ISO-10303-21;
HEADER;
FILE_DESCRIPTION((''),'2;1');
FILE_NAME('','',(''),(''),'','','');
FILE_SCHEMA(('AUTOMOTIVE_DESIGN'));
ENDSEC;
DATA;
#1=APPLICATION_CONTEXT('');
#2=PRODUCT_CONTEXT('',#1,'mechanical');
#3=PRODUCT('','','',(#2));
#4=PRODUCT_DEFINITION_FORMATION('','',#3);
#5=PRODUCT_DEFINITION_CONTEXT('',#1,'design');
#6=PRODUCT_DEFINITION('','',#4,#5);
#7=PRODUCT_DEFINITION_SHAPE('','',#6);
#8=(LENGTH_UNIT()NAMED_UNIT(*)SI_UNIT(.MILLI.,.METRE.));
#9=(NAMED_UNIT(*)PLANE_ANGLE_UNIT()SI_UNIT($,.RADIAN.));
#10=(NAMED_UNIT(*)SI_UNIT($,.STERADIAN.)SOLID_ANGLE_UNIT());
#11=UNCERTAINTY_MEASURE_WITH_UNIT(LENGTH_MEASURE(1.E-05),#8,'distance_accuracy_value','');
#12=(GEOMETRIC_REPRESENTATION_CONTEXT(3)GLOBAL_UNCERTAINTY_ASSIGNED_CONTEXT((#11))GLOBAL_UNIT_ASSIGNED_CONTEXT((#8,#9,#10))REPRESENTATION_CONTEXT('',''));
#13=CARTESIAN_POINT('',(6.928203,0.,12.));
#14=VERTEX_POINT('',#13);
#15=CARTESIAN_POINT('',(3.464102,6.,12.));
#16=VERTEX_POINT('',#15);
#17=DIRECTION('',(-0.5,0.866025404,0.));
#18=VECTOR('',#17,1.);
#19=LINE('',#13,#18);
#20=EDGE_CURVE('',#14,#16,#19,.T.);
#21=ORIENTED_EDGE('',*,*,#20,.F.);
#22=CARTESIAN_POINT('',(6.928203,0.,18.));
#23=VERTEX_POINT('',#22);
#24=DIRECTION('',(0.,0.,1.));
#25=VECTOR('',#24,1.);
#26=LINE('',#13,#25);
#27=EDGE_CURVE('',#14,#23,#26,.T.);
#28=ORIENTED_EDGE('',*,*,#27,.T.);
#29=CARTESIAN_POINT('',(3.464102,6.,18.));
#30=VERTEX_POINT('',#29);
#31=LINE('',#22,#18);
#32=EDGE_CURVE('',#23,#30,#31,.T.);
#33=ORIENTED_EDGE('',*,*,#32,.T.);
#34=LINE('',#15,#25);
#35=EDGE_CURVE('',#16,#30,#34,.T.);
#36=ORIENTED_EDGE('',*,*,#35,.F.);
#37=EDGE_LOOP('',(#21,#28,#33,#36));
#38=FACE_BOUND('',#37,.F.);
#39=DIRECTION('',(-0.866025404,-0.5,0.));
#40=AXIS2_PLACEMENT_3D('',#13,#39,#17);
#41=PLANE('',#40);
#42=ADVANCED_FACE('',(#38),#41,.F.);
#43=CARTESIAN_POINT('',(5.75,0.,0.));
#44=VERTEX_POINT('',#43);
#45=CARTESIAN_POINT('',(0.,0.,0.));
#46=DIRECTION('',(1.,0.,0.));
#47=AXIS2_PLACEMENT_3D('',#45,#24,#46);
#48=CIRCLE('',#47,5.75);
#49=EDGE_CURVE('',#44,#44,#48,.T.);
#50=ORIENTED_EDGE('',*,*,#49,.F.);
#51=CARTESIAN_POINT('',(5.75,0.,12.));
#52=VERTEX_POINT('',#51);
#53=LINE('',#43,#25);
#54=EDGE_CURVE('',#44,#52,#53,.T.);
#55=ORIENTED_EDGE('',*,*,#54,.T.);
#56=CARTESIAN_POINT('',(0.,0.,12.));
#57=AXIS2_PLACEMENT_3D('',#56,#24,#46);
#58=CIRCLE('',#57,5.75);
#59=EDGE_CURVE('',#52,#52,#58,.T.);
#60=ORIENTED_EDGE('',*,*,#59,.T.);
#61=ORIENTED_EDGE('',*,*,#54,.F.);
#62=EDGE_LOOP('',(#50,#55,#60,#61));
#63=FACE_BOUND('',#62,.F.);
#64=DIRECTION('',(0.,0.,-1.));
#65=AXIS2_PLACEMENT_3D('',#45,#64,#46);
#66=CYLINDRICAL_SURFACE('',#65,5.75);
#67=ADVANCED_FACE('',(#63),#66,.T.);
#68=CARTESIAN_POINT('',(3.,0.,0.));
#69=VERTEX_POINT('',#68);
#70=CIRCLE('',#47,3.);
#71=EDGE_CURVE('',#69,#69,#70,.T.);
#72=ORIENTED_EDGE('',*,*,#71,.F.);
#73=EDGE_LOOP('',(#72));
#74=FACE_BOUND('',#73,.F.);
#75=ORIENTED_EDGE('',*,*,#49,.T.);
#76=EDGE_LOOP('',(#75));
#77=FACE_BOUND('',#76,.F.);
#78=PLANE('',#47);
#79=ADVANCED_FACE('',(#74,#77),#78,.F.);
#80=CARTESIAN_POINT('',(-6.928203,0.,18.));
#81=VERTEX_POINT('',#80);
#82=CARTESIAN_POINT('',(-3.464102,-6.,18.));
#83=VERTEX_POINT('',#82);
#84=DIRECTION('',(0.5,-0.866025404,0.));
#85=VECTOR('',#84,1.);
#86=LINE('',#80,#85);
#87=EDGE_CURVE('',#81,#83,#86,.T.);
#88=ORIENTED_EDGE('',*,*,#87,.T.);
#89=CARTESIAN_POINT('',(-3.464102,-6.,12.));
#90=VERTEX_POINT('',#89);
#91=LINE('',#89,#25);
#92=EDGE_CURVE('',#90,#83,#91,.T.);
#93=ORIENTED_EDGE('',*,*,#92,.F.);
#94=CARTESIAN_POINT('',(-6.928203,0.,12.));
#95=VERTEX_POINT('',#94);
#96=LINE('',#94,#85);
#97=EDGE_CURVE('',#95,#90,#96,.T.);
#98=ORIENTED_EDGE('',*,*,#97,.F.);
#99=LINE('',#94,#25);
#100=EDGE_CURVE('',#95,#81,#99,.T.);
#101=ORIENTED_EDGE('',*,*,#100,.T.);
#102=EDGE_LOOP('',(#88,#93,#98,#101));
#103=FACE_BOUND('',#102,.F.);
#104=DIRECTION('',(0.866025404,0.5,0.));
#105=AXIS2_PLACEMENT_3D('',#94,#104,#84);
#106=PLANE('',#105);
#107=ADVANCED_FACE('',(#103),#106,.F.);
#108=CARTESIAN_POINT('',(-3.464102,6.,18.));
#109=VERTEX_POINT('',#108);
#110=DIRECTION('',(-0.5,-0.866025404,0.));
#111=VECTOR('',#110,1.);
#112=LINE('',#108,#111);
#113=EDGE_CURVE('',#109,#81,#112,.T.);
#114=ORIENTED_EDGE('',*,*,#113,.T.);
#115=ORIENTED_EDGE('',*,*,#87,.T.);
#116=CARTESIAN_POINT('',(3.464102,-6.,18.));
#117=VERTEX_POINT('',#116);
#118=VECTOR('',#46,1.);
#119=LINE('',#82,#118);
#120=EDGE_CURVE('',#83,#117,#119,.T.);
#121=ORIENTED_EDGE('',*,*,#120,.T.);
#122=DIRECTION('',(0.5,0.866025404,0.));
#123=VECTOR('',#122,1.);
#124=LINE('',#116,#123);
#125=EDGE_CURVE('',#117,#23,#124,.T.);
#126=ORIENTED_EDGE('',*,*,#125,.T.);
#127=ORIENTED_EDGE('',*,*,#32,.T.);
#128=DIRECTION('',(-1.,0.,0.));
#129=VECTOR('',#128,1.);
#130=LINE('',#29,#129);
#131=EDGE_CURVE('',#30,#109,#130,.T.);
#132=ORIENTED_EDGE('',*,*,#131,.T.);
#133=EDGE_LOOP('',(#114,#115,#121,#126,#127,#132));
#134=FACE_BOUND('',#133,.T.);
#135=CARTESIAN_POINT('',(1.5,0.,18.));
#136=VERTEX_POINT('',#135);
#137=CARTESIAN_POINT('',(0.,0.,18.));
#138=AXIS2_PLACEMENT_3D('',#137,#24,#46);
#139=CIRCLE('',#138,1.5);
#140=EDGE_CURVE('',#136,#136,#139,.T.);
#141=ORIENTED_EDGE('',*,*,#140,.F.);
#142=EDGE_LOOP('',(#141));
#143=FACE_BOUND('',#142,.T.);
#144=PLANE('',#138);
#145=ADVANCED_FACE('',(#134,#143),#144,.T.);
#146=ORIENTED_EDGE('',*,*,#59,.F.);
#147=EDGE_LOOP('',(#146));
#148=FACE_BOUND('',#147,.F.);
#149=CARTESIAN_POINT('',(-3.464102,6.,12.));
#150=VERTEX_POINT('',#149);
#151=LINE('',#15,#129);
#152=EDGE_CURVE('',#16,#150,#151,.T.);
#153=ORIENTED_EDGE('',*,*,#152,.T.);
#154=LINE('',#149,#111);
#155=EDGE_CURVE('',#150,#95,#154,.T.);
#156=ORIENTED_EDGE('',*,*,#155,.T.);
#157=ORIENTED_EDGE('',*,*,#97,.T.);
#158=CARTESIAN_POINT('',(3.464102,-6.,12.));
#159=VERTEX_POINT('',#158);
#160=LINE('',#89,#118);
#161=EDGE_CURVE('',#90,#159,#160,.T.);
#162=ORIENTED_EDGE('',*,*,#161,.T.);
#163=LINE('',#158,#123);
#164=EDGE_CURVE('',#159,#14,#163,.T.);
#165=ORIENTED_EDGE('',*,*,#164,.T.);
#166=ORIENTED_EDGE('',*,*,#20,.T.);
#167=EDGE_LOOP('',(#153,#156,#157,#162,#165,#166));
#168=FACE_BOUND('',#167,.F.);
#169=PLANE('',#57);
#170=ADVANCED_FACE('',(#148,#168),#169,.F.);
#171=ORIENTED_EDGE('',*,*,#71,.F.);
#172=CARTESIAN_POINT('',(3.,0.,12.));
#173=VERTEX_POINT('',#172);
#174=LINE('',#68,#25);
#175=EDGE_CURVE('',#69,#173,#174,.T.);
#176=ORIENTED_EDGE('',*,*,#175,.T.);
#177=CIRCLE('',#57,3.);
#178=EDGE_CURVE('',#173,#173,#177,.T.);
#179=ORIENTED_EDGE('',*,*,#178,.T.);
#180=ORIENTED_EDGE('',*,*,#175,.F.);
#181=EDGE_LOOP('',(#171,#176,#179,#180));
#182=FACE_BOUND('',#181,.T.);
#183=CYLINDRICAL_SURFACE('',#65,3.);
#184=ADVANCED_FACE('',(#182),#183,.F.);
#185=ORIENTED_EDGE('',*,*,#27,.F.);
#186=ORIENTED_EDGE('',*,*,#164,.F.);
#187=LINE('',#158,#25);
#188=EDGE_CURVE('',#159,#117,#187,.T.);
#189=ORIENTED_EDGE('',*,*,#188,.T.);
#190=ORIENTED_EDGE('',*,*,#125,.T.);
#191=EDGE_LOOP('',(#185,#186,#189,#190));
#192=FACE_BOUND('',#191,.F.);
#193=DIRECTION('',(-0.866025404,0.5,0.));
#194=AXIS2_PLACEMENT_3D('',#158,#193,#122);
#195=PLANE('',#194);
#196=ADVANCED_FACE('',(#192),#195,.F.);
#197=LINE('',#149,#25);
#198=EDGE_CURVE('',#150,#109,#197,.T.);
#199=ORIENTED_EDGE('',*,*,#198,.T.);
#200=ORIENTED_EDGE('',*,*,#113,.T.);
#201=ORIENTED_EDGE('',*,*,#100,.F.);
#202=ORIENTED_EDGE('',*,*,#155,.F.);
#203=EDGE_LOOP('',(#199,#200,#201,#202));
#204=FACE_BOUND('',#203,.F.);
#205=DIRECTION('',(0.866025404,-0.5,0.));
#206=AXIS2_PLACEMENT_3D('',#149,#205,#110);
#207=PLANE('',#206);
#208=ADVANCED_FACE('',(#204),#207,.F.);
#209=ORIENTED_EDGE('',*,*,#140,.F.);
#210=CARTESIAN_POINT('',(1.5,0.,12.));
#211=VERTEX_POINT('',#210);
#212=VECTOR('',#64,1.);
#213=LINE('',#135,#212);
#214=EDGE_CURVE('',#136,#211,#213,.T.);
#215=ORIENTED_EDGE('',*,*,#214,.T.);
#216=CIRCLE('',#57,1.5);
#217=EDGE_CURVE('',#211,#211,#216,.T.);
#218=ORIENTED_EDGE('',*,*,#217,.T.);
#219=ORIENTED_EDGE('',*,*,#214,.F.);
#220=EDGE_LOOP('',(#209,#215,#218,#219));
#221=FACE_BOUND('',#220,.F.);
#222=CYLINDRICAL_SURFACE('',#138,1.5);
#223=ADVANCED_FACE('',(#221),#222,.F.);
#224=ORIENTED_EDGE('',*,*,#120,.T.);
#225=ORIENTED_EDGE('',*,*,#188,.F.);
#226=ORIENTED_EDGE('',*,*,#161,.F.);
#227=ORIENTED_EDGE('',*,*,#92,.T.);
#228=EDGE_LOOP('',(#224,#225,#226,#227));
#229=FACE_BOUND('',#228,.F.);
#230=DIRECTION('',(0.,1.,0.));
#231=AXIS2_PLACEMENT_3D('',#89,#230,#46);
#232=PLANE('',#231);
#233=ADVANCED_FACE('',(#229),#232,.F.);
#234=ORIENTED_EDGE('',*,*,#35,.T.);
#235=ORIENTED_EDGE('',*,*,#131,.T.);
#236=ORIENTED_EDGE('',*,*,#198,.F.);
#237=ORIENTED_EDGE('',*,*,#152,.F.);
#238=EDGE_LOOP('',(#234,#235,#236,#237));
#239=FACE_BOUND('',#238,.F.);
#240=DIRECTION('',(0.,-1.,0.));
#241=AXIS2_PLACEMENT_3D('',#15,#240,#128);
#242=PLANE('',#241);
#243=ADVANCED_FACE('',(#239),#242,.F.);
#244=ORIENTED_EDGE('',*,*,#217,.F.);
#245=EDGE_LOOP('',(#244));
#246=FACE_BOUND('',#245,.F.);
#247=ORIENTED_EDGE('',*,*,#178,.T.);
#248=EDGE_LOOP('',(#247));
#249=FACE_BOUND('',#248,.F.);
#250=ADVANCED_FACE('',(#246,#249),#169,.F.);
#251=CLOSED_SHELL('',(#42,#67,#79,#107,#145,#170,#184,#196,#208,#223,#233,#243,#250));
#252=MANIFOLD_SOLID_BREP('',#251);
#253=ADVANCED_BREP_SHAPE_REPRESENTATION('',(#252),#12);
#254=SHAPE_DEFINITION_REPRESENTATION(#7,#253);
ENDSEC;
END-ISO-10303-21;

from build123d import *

# Parameters (mm, degrees)
SKETCH1_R           = 5.75
SKETCH1_R_2         = 3
BOSS_EXTRUDE1_DEPTH = 12
BOSS_EXTRUDE2_DEPTH = 6
SKETCH3_R           = 1.5
CUT_EXTRUDE1_DEPTH  = 21.199009877


with BuildPart() as part:
    # Sketch1 → Boss-Extrude1 (new body)
    with BuildSketch(Plane.XY):
        Circle(SKETCH1_R)
        Circle(SKETCH1_R_2, mode=Mode.SUBTRACT)
    extrude(amount=BOSS_EXTRUDE1_DEPTH)

    # Sketch2 → Boss-Extrude2 (add)
    with BuildSketch(Plane.XY.offset(12)):
        Polygon((3.464101615, -6), (6.92820323, 0), (3.464101615, 6), (-3.464101615, 6), (-6.92820323, 0), (-3.464101615, -6), align=None)
    extrude(amount=BOSS_EXTRUDE2_DEPTH)

    # Sketch3 → Cut-Extrude1 (cut, through all)
    with BuildSketch(Plane.XY.offset(18)):
        Circle(SKETCH3_R)
    extrude(amount=-CUT_EXTRUDE1_DEPTH, mode=Mode.SUBTRACT)


solid = part.part
